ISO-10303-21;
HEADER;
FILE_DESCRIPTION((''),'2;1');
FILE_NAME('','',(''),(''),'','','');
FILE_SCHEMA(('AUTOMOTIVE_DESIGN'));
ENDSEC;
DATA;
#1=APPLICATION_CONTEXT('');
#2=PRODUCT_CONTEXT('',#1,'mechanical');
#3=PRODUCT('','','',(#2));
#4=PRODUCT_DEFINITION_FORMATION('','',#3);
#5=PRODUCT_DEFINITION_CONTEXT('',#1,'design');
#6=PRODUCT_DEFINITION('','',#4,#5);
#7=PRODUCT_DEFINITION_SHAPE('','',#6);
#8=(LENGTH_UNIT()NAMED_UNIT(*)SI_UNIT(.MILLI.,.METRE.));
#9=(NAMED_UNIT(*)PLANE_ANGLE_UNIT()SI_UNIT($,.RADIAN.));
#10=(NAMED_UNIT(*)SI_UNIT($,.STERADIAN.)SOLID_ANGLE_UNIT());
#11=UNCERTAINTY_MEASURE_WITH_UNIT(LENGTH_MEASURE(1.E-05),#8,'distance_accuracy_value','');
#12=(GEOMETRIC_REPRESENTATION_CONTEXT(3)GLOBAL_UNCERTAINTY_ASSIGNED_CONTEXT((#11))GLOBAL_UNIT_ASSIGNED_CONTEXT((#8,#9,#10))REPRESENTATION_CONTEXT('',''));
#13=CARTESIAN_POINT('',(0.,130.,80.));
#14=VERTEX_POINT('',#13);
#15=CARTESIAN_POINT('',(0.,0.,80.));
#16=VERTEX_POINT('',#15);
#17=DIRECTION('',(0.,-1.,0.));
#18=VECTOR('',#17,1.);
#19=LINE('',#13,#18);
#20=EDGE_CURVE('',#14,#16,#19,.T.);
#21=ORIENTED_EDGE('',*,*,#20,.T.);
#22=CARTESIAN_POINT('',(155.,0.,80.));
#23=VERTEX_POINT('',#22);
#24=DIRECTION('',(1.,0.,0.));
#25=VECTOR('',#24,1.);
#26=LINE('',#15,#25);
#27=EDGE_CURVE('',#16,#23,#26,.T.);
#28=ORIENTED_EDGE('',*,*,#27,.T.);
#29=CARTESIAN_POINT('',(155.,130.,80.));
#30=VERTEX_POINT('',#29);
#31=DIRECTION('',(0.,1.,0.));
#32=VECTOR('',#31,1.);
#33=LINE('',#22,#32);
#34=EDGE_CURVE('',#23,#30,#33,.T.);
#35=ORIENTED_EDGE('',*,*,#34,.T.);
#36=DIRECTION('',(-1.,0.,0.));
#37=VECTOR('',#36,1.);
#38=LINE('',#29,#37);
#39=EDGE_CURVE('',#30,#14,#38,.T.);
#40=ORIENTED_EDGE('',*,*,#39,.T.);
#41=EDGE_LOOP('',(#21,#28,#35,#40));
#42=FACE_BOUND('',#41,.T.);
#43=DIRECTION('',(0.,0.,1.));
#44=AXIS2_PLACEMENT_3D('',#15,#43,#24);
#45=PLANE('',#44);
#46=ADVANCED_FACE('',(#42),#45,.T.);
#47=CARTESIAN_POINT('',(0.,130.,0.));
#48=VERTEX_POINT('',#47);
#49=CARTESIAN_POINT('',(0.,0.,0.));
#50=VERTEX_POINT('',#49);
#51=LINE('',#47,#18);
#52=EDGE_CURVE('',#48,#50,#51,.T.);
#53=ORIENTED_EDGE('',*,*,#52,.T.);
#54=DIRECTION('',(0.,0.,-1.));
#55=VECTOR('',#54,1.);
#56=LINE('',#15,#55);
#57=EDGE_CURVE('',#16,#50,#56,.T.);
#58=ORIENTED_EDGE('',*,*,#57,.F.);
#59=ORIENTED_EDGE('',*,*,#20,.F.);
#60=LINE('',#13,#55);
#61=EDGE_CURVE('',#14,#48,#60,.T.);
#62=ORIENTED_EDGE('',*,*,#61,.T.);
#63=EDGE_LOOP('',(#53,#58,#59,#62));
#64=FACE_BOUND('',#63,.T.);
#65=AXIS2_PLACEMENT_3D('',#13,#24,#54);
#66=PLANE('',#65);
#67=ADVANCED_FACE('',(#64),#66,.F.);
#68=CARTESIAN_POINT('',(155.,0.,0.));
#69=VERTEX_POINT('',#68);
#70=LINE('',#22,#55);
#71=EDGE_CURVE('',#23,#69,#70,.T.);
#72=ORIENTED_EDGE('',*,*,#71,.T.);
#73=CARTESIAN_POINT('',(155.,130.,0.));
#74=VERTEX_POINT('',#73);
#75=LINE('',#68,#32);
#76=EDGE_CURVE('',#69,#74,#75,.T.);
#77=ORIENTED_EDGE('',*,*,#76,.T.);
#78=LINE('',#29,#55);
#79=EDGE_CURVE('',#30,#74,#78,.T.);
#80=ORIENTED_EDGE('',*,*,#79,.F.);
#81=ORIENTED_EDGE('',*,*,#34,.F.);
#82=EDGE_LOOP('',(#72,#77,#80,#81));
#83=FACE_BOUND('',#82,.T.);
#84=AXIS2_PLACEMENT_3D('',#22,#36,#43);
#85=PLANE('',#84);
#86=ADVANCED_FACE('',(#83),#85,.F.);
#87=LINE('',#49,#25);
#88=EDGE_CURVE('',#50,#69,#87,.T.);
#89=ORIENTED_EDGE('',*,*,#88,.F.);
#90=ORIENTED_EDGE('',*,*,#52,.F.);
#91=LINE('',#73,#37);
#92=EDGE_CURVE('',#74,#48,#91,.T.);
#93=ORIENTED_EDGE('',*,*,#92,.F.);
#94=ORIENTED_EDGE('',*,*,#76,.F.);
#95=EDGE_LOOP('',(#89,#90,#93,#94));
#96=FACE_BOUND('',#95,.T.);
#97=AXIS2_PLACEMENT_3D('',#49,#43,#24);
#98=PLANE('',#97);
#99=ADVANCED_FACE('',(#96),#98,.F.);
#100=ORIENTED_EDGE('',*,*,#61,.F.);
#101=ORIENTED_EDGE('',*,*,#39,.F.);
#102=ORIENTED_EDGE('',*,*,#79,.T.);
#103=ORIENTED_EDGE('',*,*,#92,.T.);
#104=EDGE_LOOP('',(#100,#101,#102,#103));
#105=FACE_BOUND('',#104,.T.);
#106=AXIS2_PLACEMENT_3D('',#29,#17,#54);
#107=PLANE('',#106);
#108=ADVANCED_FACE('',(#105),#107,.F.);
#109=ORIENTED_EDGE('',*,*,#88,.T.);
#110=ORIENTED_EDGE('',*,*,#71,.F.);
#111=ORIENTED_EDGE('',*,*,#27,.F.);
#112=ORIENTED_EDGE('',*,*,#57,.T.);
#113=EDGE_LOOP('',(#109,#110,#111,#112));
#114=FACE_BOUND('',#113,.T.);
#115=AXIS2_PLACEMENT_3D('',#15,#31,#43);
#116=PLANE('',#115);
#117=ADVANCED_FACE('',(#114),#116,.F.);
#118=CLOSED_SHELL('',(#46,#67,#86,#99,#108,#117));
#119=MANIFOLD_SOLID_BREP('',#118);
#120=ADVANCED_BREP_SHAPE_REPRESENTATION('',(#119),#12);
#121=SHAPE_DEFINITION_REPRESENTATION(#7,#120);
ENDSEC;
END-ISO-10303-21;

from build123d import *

# Parameters (mm, degrees)
SKETCH1_W           = 155
SKETCH1_H           = 130
BOSS_EXTRUDE1_DEPTH = 80


with BuildPart() as part:
    # Sketch1 → Boss-Extrude1 (new body)
    with BuildSketch(Plane.XY):
        with Locations((77.5, 65)):
            Rectangle(SKETCH1_W, SKETCH1_H)
    extrude(amount=BOSS_EXTRUDE1_DEPTH)


solid = part.part
